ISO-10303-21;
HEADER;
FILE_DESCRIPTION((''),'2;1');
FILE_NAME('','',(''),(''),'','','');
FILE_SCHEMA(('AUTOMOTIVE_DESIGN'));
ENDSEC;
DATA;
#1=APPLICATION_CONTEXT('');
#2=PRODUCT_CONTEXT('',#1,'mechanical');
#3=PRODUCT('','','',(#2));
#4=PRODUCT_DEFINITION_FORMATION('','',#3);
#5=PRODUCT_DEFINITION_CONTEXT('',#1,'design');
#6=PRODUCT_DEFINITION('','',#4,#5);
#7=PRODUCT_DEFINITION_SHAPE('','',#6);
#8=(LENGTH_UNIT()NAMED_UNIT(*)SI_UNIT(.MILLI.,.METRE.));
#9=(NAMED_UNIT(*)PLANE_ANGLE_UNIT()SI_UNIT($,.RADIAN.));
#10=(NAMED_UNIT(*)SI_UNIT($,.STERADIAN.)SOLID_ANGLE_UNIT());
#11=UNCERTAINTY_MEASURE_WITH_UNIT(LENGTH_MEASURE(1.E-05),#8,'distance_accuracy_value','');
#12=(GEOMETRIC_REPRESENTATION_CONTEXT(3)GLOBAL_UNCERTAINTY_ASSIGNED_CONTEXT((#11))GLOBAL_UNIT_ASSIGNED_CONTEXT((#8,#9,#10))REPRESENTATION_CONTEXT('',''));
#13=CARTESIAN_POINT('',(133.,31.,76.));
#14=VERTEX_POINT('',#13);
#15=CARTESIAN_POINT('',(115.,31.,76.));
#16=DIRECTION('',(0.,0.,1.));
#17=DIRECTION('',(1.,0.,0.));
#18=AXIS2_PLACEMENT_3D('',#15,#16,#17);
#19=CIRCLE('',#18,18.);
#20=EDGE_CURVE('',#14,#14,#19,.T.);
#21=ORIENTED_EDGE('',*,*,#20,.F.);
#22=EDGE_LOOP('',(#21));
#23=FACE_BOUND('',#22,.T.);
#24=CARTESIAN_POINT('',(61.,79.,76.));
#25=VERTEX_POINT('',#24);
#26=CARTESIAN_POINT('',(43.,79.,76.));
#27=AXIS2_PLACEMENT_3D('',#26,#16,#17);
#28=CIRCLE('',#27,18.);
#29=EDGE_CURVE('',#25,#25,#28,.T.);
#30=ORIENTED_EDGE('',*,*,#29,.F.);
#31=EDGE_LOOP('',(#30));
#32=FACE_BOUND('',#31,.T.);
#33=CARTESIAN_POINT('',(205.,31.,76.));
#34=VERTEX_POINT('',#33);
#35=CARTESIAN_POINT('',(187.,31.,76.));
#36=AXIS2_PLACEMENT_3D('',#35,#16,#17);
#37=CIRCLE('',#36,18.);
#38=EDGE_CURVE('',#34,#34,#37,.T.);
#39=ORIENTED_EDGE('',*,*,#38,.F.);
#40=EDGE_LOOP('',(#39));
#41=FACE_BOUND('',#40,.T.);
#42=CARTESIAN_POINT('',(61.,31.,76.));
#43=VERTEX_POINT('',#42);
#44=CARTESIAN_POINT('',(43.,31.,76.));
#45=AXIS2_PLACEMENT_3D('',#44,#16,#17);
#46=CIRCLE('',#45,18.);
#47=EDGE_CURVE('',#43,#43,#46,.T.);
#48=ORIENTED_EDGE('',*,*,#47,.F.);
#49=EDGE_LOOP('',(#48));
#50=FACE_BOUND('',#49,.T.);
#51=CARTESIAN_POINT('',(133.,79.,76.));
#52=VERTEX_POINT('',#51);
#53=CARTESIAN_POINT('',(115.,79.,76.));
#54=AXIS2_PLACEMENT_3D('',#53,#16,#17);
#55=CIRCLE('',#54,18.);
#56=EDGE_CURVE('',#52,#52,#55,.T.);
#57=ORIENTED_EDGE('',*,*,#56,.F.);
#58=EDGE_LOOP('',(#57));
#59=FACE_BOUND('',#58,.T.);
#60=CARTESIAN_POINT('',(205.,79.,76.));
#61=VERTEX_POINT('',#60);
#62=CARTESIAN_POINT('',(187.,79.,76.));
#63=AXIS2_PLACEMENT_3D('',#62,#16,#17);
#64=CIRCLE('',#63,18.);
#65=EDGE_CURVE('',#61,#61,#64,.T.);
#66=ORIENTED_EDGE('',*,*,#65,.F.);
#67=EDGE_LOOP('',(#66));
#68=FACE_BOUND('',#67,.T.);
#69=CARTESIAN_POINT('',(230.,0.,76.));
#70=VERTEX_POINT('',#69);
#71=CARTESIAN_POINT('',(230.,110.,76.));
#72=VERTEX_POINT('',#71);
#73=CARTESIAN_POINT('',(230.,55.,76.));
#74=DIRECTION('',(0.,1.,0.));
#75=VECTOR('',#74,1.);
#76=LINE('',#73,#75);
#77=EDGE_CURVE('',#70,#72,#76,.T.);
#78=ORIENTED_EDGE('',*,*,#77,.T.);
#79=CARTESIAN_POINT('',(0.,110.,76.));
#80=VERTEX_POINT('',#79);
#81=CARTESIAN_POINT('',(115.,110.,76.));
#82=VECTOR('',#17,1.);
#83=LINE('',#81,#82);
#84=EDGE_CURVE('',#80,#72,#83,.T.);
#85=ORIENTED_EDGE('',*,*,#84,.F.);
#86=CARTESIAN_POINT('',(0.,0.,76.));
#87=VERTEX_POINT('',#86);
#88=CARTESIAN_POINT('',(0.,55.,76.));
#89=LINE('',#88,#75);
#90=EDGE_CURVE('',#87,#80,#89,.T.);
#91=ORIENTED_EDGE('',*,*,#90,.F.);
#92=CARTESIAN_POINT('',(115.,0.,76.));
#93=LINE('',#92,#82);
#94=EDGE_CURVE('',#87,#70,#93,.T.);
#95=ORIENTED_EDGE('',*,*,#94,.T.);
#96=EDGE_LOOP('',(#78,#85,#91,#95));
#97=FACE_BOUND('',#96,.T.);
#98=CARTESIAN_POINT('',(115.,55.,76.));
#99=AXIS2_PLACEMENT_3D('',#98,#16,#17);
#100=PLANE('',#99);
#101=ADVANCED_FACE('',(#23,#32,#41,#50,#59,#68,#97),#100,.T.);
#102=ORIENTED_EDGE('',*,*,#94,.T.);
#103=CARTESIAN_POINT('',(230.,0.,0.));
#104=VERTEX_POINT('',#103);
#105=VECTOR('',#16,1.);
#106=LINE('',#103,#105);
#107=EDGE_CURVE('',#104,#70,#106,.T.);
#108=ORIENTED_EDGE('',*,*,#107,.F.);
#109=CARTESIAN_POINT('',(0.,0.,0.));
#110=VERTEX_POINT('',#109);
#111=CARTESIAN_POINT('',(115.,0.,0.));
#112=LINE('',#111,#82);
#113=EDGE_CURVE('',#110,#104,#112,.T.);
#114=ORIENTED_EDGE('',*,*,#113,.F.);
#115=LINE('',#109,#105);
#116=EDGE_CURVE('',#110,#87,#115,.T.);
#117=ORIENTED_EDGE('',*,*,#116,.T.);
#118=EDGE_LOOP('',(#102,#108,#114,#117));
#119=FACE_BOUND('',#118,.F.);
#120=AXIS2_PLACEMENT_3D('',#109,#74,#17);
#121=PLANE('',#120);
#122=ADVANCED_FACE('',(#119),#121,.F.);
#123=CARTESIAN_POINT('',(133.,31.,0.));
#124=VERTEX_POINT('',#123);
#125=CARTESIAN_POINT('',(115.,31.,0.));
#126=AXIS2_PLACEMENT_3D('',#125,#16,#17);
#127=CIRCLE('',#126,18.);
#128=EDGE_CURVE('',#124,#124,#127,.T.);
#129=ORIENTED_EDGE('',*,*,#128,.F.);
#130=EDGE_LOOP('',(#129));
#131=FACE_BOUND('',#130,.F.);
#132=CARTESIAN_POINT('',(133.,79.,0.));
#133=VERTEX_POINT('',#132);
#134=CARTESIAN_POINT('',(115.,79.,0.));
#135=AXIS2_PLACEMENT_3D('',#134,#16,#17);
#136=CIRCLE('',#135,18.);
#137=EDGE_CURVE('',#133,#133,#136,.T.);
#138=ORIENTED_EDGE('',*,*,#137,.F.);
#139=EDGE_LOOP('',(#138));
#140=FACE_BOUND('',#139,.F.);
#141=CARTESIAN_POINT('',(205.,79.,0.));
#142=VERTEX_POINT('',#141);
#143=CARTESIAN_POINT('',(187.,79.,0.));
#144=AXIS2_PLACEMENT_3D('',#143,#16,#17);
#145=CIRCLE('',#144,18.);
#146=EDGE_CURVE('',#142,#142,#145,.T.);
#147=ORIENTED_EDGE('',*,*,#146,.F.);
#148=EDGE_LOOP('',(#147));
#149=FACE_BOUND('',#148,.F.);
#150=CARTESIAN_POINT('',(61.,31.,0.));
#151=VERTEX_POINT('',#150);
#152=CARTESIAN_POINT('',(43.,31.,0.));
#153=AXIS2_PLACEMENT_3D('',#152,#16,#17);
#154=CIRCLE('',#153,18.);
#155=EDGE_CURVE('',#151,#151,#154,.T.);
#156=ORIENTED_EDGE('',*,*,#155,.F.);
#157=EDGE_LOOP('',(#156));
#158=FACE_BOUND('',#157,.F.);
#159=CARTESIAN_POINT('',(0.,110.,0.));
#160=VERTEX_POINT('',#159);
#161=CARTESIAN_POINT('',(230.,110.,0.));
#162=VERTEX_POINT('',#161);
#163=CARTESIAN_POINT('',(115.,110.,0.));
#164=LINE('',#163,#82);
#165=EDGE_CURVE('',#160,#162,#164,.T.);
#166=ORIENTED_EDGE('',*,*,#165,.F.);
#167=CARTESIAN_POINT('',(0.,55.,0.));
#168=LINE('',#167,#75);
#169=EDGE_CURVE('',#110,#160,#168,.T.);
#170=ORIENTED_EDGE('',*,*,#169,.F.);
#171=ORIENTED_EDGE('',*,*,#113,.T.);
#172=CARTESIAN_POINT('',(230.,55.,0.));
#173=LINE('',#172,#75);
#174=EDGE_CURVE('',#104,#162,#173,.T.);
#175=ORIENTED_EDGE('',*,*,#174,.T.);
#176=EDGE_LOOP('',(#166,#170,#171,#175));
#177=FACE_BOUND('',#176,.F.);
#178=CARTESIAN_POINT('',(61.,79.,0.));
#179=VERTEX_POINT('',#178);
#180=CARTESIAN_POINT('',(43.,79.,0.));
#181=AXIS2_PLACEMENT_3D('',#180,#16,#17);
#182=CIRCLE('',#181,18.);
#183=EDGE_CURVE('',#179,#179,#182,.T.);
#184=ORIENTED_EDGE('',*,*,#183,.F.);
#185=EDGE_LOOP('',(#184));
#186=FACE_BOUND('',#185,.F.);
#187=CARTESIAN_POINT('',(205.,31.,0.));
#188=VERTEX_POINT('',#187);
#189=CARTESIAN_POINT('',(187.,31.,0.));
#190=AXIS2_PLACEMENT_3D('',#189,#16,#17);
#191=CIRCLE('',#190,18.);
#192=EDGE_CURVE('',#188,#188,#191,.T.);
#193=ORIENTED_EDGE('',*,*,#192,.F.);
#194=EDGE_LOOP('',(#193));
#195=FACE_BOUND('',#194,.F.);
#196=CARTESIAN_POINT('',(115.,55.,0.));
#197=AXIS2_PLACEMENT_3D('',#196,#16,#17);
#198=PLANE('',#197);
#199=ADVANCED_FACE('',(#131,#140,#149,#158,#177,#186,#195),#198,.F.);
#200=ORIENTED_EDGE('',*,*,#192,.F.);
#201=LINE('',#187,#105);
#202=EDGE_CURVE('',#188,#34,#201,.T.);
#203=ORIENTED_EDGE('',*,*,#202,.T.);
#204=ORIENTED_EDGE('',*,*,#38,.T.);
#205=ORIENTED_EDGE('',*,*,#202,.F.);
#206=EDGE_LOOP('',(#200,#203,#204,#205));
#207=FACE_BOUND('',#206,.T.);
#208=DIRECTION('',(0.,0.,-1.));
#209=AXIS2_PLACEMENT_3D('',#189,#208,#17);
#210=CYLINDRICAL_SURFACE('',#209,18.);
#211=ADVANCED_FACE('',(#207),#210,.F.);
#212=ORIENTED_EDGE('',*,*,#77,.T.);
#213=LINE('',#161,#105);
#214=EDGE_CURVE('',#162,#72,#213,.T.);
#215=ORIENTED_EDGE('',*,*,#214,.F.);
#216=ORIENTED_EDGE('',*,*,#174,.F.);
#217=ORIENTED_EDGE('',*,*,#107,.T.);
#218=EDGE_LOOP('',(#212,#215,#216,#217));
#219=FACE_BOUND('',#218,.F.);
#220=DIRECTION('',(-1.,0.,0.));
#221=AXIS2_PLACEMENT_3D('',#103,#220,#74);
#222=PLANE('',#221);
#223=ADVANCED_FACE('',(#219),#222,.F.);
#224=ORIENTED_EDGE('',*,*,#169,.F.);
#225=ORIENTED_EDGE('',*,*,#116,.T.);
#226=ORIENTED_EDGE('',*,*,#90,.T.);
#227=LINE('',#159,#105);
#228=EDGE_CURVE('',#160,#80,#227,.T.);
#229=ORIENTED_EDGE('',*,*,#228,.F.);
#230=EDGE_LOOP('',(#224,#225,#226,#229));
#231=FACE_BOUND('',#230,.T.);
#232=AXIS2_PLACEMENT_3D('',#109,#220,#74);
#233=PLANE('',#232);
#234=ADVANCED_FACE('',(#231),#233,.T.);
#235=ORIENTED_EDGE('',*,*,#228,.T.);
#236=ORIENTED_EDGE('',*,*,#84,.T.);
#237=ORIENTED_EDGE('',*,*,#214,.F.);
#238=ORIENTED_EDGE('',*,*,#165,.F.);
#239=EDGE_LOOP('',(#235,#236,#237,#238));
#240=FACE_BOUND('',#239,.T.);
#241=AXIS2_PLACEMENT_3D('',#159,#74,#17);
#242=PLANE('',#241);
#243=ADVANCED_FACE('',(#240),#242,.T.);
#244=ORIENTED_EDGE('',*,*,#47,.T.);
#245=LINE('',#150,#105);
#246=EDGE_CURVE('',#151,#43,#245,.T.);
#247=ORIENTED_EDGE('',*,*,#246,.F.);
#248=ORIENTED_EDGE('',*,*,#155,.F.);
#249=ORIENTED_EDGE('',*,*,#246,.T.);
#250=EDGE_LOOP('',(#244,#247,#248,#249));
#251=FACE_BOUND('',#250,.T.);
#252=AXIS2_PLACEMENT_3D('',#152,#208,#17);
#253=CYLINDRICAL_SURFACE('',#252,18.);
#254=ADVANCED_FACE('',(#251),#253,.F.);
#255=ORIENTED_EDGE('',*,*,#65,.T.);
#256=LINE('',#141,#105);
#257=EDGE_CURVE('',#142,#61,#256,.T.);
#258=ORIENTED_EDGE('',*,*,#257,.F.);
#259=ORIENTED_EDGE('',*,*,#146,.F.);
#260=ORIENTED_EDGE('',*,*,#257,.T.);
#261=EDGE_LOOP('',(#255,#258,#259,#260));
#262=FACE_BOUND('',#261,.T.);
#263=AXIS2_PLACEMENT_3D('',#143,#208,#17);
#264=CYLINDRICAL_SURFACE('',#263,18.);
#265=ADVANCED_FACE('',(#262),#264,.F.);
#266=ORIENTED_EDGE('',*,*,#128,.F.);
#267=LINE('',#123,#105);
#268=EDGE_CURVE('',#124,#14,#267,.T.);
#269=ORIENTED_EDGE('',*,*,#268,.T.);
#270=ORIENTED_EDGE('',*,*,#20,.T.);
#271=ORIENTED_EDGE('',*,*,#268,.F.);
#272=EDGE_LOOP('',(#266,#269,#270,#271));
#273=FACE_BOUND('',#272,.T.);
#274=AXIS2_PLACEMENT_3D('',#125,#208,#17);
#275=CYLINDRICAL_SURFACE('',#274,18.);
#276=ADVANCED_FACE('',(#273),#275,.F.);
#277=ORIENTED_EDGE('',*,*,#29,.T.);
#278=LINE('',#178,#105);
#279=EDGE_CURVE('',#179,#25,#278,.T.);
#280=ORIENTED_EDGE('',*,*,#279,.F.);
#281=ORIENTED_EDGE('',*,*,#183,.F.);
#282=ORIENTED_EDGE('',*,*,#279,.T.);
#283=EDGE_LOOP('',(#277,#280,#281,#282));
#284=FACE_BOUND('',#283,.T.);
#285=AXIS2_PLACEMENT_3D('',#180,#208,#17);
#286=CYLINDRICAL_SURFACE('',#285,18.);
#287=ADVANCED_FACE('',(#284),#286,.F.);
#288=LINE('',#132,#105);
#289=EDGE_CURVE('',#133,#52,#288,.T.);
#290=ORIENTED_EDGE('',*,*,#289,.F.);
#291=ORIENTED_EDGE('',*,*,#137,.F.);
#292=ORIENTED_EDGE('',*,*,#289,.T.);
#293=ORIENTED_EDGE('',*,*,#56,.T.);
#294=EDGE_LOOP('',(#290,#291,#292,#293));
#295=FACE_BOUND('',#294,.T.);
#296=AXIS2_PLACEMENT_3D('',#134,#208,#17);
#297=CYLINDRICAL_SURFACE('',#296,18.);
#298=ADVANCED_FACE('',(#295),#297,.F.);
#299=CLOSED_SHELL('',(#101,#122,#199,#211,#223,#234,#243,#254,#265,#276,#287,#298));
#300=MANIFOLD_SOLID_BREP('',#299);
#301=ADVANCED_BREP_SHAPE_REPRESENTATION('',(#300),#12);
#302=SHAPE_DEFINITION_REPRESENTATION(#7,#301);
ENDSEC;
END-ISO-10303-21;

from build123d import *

# Parameters (mm, degrees)
CYLINDER005_R     = 18
CYLINDER005_DEPTH = 76
CYLINDER004_R     = 18
CYLINDER004_DEPTH = 76
CYLINDER003_R     = 18
CYLINDER003_DEPTH = 76
CYLINDER002_R     = 18
CYLINDER002_DEPTH = 76
CYLINDER001_R     = 18
CYLINDER001_DEPTH = 76
CYLINDER_R        = 18
CYLINDER_DEPTH    = 76
BOX_W             = 230
BOX_H             = 110
BOX_DEPTH         = 76


with BuildPart() as cilindre005:
    # Cylinder005 → Cylinder005 (new body)
    with BuildSketch(Plane(origin=(187, 79, 0), x_dir=(1, 0, 0), z_dir=(0, 0, 1))):
        Circle(CYLINDER005_R)
    extrude(amount=CYLINDER005_DEPTH)


with BuildPart() as cilindre004:
    # Cylinder004 → Cylinder004 (new body)
    with BuildSketch(Plane(origin=(187, 31, 0), x_dir=(1, 0, 0), z_dir=(0, 0, 1))):
        Circle(CYLINDER004_R)
    extrude(amount=CYLINDER004_DEPTH)


with BuildPart() as cilindre003:
    # Cylinder003 → Cylinder003 (new body)
    with BuildSketch(Plane(origin=(115, 31, 0), x_dir=(1, 0, 0), z_dir=(0, 0, 1))):
        Circle(CYLINDER003_R)
    extrude(amount=CYLINDER003_DEPTH)


with BuildPart() as cilindre002:
    # Cylinder002 → Cylinder002 (new body)
    with BuildSketch(Plane(origin=(115, 79, 0), x_dir=(1, 0, 0), z_dir=(0, 0, 1))):
        Circle(CYLINDER002_R)
    extrude(amount=CYLINDER002_DEPTH)


with BuildPart() as cilindre001:
    # Cylinder001 → Cylinder001 (new body)
    with BuildSketch(Plane(origin=(43, 31, 0), x_dir=(1, 0, 0), z_dir=(0, 0, 1))):
        Circle(CYLINDER001_R)
    extrude(amount=CYLINDER001_DEPTH)


with BuildPart() as cilindre:
    # Cylinder → Cylinder (new body)
    with BuildSketch(Plane(origin=(43, 79, 0), x_dir=(1, 0, 0), z_dir=(0, 0, 1))):
        Circle(CYLINDER_R)
    extrude(amount=CYLINDER_DEPTH)


with BuildPart() as cut005:
    # Box → Box (new body)
    with BuildSketch(Plane.XY):
        with Locations((115, 55)):
            Rectangle(BOX_W, BOX_H)
    extrude(amount=BOX_DEPTH)

    # Cut: cut Cilindre
    add(cilindre.part, mode=Mode.SUBTRACT)

    # Cut001: cut Cilindre001
    add(cilindre001.part, mode=Mode.SUBTRACT)

    # Cut002: cut Cilindre002
    add(cilindre002.part, mode=Mode.SUBTRACT)

    # Cut003: cut Cilindre003
    add(cilindre003.part, mode=Mode.SUBTRACT)

    # Cut004: cut Cilindre004
    add(cilindre004.part, mode=Mode.SUBTRACT)

    # Cut005: cut Cilindre005
    add(cilindre005.part, mode=Mode.SUBTRACT)


solid = cut005.part
